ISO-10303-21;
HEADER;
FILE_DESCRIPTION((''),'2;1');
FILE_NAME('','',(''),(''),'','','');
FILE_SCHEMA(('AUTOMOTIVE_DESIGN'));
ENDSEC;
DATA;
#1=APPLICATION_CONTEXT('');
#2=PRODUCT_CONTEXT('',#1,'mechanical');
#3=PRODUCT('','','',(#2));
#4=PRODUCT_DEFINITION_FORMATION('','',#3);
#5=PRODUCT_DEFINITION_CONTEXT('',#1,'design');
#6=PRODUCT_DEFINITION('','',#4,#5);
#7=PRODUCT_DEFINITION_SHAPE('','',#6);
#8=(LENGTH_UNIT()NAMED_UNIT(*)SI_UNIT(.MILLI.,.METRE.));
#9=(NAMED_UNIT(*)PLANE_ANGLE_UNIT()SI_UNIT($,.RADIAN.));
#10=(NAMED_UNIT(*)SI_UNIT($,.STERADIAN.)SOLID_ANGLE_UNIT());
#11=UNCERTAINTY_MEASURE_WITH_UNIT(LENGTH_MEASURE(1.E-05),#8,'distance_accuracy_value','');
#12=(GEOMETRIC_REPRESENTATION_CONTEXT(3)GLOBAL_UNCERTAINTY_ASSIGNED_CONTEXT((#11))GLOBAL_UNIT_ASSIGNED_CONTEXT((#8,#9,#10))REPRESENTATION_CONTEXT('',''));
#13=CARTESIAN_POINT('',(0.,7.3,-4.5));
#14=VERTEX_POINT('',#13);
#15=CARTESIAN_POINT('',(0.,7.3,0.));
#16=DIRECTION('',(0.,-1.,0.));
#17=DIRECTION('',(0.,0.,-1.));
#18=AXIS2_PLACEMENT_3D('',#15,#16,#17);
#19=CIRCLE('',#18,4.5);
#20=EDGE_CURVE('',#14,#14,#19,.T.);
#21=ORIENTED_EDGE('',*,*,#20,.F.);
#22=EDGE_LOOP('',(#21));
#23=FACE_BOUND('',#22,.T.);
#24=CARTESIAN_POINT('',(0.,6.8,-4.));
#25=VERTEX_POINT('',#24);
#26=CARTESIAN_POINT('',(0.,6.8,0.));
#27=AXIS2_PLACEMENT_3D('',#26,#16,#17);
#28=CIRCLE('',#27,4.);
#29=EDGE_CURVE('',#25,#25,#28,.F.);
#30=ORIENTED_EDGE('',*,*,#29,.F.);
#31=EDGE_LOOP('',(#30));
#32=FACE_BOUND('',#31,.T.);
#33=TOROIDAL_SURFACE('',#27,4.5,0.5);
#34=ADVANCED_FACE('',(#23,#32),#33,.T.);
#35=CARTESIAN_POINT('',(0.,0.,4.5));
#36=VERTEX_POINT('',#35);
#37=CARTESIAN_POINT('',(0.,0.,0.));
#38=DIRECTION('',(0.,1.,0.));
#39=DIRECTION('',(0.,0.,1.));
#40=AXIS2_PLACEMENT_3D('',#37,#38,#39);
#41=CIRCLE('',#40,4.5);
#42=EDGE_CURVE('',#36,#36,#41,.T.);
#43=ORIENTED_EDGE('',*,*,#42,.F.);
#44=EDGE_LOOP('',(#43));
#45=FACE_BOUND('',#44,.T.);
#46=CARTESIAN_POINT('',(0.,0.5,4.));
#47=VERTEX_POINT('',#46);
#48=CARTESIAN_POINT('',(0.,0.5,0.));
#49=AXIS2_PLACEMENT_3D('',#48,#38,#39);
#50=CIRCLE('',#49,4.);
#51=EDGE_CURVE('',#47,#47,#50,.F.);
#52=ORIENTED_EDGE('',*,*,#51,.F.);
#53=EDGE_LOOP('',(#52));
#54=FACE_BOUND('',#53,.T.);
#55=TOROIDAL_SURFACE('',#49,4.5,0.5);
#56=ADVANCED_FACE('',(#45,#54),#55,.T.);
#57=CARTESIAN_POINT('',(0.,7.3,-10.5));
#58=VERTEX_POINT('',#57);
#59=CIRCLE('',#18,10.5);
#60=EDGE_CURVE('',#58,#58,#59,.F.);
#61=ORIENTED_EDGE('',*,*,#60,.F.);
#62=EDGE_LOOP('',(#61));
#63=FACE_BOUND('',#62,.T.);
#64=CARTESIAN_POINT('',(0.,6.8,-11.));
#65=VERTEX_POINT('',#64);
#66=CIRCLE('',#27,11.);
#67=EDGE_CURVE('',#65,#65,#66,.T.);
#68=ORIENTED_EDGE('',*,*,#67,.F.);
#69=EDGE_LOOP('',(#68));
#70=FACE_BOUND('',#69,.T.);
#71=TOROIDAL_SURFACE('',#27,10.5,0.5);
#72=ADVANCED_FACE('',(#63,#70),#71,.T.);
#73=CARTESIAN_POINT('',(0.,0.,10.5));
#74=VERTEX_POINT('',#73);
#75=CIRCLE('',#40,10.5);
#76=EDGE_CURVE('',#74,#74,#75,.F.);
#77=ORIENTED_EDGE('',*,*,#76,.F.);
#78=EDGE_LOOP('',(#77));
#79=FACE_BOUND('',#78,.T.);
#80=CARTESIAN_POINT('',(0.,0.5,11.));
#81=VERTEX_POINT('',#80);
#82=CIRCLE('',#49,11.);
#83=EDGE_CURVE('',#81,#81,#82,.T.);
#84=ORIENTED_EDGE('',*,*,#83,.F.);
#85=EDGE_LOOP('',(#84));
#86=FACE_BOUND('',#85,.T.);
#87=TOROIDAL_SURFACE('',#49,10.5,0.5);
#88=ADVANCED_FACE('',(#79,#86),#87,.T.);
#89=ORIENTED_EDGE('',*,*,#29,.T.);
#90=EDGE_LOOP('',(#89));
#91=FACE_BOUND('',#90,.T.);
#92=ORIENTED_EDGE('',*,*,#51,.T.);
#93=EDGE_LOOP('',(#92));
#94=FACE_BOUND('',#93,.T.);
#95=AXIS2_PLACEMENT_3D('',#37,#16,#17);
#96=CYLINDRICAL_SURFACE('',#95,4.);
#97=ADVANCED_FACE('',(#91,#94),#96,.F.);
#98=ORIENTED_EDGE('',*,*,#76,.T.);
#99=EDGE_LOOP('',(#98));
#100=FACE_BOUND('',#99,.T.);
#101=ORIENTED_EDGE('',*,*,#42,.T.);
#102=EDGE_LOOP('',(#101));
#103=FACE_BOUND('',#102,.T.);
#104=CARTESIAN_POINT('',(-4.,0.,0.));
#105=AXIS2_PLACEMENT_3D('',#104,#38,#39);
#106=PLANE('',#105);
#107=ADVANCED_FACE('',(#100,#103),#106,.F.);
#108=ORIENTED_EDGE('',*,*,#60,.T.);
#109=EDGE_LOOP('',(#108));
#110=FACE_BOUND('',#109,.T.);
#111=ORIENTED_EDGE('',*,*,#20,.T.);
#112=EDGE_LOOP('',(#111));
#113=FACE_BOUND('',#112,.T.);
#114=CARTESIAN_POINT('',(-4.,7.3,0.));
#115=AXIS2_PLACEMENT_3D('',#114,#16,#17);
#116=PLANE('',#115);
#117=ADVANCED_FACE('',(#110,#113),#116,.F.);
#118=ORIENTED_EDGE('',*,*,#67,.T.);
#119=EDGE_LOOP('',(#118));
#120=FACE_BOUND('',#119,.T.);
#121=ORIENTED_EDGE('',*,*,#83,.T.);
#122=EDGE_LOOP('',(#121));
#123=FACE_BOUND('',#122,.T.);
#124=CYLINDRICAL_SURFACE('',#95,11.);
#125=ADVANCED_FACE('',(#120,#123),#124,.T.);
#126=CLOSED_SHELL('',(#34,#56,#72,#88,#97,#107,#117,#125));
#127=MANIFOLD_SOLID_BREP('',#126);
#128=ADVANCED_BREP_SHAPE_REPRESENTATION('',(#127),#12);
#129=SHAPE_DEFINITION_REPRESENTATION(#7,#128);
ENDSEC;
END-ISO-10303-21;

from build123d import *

# Parameters (mm, degrees)
SKETCH1_W = 7
SKETCH1_H = 7.3
FILLET1_R = 0.5


with BuildPart() as part:
    # Sketch1 → Revolve1 (revolve)
    with BuildSketch(Plane.XY, mode=Mode.PRIVATE) as revolve1_sk:
        with Locations((-7.5, 3.65)):
            Rectangle(SKETCH1_W, SKETCH1_H)
    revolve(revolve1_sk.sketch.rotate(Axis((0, 0, 0), (0, 1, 0)), 270), axis=Axis((0, 0, 0), (0, 1, 0)))

    # Fillet1
    fillet1_edges = [part.edges().sort_by_distance(p)[0] for p in [
        (0, 0, 4),
        (0, 0, 11),
        (0, 7.3, 11),
        (0, 7.3, 4),
    ]]
    fillet(fillet1_edges, radius=FILLET1_R)


solid = part.part
